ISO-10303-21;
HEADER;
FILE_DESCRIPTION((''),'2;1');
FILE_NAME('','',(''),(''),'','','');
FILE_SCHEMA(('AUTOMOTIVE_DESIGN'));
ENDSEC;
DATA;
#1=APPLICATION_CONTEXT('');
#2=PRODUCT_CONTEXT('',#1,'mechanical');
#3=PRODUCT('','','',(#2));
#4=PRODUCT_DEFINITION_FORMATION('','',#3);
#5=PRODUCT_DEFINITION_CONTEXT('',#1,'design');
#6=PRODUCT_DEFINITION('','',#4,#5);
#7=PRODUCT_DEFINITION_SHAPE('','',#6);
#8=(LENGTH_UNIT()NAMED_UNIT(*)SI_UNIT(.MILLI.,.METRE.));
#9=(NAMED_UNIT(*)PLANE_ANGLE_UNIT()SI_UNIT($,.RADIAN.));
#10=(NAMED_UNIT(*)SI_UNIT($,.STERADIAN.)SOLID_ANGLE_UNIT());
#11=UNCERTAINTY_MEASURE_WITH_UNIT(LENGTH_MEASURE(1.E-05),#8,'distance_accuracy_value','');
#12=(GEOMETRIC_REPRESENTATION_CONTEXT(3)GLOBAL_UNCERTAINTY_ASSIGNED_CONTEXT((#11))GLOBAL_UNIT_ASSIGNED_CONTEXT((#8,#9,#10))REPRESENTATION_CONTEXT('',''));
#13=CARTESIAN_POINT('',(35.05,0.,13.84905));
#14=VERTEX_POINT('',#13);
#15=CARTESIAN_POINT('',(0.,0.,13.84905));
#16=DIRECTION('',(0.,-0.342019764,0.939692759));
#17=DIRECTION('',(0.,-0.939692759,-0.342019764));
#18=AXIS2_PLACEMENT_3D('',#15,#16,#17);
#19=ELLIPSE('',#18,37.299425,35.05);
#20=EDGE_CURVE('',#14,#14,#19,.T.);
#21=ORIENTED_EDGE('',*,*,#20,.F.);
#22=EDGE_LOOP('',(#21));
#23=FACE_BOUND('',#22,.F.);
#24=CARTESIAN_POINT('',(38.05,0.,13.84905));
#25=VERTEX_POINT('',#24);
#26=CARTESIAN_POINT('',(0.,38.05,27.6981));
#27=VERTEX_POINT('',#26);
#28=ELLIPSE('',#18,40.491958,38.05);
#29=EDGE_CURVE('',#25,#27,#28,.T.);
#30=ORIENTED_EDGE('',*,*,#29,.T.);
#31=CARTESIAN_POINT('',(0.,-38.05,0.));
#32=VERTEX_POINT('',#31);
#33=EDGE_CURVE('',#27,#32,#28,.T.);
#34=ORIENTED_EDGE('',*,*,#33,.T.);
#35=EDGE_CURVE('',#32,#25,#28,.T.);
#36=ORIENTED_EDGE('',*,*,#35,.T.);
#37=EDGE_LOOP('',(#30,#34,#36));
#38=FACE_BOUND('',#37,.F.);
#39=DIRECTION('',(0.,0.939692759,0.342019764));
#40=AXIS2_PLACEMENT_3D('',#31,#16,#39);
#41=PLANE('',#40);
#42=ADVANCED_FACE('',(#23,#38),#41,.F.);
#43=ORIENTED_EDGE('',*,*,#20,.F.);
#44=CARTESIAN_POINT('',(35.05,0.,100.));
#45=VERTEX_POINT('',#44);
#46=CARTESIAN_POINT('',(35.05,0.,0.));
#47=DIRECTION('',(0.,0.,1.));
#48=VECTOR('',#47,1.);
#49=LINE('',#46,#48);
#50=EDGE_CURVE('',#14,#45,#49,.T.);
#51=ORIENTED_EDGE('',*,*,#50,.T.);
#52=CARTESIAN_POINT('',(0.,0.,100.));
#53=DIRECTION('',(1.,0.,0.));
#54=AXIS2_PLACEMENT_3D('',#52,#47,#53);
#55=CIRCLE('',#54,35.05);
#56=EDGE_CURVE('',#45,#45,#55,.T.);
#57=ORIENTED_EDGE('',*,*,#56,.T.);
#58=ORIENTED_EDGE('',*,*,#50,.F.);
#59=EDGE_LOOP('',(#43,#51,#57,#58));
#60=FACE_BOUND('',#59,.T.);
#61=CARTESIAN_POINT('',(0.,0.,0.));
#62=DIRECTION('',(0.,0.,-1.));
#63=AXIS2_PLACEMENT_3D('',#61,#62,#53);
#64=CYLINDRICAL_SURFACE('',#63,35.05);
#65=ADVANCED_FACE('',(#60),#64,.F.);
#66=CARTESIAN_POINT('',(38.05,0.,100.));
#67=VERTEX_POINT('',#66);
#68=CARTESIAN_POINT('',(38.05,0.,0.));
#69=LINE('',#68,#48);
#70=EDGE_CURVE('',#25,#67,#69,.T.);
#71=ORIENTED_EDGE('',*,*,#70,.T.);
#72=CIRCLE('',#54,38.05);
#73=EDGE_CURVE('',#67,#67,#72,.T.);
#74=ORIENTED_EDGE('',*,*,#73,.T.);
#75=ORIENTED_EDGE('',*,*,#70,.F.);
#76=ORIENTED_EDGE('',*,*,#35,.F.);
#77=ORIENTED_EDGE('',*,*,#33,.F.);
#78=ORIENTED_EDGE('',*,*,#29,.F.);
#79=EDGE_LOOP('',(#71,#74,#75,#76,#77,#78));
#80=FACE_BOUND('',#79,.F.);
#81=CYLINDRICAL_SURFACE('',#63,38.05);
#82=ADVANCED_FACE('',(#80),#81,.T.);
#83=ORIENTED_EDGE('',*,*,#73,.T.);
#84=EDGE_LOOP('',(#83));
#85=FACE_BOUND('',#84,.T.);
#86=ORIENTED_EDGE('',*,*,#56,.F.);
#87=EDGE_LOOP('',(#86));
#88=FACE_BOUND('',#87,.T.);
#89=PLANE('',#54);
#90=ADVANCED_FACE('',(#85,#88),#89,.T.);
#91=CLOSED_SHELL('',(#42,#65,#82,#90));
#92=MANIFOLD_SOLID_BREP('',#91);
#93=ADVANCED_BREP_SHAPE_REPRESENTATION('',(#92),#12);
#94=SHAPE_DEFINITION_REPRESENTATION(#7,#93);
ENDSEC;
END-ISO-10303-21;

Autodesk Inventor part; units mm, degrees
ref_plane "YZ Plane" through (0, 0, 0) normal (1, 0, 0) x (0, 1, 0)
ref_plane "XZ Plane" through (0, 0, 0) normal (0, 1, 0) x (-1, 0, 0)
ref_plane "XY Plane" through (0, 0, 0) normal (0, 0, 1) x (1, 0, 0)
sketch "Sketch1" plane through (0, 0, 0) normal (0, 0, 1) x (1, 0, 0)
  circle A0 centre (0, 0) radius 38.05
  circle A1 centre (0, 0) radius 35.05
  dimension "d0" = 76.1
  dimension "d1" = 3
extrude "Extrusion1" add sketch "Sketch1" along normal blind 100
sketch "Sketch2" plane through (0, 0, 0) normal (1, 0, 0) x (0, 1, 0)
  line L0 (38.05, 100) -> (-38.05, 100) projected
  line L1 (38.05, 0) -> (-38.05, 0) projected
  line L2 (-38.05, 0) -> (38.05, 27.6981)
  line L3 (38.05, 27.6981) -> (38.05, 0)
  line L4 (38.05, 0) -> (38.05, 100) projected
  point P0 (0, 0)
  dimension "d4" = 20
extrude "Extrusion2" cut sketch "Sketch2" along normal through all both and the other way through all
properties part number "MSC 607 rocket tube 7"
